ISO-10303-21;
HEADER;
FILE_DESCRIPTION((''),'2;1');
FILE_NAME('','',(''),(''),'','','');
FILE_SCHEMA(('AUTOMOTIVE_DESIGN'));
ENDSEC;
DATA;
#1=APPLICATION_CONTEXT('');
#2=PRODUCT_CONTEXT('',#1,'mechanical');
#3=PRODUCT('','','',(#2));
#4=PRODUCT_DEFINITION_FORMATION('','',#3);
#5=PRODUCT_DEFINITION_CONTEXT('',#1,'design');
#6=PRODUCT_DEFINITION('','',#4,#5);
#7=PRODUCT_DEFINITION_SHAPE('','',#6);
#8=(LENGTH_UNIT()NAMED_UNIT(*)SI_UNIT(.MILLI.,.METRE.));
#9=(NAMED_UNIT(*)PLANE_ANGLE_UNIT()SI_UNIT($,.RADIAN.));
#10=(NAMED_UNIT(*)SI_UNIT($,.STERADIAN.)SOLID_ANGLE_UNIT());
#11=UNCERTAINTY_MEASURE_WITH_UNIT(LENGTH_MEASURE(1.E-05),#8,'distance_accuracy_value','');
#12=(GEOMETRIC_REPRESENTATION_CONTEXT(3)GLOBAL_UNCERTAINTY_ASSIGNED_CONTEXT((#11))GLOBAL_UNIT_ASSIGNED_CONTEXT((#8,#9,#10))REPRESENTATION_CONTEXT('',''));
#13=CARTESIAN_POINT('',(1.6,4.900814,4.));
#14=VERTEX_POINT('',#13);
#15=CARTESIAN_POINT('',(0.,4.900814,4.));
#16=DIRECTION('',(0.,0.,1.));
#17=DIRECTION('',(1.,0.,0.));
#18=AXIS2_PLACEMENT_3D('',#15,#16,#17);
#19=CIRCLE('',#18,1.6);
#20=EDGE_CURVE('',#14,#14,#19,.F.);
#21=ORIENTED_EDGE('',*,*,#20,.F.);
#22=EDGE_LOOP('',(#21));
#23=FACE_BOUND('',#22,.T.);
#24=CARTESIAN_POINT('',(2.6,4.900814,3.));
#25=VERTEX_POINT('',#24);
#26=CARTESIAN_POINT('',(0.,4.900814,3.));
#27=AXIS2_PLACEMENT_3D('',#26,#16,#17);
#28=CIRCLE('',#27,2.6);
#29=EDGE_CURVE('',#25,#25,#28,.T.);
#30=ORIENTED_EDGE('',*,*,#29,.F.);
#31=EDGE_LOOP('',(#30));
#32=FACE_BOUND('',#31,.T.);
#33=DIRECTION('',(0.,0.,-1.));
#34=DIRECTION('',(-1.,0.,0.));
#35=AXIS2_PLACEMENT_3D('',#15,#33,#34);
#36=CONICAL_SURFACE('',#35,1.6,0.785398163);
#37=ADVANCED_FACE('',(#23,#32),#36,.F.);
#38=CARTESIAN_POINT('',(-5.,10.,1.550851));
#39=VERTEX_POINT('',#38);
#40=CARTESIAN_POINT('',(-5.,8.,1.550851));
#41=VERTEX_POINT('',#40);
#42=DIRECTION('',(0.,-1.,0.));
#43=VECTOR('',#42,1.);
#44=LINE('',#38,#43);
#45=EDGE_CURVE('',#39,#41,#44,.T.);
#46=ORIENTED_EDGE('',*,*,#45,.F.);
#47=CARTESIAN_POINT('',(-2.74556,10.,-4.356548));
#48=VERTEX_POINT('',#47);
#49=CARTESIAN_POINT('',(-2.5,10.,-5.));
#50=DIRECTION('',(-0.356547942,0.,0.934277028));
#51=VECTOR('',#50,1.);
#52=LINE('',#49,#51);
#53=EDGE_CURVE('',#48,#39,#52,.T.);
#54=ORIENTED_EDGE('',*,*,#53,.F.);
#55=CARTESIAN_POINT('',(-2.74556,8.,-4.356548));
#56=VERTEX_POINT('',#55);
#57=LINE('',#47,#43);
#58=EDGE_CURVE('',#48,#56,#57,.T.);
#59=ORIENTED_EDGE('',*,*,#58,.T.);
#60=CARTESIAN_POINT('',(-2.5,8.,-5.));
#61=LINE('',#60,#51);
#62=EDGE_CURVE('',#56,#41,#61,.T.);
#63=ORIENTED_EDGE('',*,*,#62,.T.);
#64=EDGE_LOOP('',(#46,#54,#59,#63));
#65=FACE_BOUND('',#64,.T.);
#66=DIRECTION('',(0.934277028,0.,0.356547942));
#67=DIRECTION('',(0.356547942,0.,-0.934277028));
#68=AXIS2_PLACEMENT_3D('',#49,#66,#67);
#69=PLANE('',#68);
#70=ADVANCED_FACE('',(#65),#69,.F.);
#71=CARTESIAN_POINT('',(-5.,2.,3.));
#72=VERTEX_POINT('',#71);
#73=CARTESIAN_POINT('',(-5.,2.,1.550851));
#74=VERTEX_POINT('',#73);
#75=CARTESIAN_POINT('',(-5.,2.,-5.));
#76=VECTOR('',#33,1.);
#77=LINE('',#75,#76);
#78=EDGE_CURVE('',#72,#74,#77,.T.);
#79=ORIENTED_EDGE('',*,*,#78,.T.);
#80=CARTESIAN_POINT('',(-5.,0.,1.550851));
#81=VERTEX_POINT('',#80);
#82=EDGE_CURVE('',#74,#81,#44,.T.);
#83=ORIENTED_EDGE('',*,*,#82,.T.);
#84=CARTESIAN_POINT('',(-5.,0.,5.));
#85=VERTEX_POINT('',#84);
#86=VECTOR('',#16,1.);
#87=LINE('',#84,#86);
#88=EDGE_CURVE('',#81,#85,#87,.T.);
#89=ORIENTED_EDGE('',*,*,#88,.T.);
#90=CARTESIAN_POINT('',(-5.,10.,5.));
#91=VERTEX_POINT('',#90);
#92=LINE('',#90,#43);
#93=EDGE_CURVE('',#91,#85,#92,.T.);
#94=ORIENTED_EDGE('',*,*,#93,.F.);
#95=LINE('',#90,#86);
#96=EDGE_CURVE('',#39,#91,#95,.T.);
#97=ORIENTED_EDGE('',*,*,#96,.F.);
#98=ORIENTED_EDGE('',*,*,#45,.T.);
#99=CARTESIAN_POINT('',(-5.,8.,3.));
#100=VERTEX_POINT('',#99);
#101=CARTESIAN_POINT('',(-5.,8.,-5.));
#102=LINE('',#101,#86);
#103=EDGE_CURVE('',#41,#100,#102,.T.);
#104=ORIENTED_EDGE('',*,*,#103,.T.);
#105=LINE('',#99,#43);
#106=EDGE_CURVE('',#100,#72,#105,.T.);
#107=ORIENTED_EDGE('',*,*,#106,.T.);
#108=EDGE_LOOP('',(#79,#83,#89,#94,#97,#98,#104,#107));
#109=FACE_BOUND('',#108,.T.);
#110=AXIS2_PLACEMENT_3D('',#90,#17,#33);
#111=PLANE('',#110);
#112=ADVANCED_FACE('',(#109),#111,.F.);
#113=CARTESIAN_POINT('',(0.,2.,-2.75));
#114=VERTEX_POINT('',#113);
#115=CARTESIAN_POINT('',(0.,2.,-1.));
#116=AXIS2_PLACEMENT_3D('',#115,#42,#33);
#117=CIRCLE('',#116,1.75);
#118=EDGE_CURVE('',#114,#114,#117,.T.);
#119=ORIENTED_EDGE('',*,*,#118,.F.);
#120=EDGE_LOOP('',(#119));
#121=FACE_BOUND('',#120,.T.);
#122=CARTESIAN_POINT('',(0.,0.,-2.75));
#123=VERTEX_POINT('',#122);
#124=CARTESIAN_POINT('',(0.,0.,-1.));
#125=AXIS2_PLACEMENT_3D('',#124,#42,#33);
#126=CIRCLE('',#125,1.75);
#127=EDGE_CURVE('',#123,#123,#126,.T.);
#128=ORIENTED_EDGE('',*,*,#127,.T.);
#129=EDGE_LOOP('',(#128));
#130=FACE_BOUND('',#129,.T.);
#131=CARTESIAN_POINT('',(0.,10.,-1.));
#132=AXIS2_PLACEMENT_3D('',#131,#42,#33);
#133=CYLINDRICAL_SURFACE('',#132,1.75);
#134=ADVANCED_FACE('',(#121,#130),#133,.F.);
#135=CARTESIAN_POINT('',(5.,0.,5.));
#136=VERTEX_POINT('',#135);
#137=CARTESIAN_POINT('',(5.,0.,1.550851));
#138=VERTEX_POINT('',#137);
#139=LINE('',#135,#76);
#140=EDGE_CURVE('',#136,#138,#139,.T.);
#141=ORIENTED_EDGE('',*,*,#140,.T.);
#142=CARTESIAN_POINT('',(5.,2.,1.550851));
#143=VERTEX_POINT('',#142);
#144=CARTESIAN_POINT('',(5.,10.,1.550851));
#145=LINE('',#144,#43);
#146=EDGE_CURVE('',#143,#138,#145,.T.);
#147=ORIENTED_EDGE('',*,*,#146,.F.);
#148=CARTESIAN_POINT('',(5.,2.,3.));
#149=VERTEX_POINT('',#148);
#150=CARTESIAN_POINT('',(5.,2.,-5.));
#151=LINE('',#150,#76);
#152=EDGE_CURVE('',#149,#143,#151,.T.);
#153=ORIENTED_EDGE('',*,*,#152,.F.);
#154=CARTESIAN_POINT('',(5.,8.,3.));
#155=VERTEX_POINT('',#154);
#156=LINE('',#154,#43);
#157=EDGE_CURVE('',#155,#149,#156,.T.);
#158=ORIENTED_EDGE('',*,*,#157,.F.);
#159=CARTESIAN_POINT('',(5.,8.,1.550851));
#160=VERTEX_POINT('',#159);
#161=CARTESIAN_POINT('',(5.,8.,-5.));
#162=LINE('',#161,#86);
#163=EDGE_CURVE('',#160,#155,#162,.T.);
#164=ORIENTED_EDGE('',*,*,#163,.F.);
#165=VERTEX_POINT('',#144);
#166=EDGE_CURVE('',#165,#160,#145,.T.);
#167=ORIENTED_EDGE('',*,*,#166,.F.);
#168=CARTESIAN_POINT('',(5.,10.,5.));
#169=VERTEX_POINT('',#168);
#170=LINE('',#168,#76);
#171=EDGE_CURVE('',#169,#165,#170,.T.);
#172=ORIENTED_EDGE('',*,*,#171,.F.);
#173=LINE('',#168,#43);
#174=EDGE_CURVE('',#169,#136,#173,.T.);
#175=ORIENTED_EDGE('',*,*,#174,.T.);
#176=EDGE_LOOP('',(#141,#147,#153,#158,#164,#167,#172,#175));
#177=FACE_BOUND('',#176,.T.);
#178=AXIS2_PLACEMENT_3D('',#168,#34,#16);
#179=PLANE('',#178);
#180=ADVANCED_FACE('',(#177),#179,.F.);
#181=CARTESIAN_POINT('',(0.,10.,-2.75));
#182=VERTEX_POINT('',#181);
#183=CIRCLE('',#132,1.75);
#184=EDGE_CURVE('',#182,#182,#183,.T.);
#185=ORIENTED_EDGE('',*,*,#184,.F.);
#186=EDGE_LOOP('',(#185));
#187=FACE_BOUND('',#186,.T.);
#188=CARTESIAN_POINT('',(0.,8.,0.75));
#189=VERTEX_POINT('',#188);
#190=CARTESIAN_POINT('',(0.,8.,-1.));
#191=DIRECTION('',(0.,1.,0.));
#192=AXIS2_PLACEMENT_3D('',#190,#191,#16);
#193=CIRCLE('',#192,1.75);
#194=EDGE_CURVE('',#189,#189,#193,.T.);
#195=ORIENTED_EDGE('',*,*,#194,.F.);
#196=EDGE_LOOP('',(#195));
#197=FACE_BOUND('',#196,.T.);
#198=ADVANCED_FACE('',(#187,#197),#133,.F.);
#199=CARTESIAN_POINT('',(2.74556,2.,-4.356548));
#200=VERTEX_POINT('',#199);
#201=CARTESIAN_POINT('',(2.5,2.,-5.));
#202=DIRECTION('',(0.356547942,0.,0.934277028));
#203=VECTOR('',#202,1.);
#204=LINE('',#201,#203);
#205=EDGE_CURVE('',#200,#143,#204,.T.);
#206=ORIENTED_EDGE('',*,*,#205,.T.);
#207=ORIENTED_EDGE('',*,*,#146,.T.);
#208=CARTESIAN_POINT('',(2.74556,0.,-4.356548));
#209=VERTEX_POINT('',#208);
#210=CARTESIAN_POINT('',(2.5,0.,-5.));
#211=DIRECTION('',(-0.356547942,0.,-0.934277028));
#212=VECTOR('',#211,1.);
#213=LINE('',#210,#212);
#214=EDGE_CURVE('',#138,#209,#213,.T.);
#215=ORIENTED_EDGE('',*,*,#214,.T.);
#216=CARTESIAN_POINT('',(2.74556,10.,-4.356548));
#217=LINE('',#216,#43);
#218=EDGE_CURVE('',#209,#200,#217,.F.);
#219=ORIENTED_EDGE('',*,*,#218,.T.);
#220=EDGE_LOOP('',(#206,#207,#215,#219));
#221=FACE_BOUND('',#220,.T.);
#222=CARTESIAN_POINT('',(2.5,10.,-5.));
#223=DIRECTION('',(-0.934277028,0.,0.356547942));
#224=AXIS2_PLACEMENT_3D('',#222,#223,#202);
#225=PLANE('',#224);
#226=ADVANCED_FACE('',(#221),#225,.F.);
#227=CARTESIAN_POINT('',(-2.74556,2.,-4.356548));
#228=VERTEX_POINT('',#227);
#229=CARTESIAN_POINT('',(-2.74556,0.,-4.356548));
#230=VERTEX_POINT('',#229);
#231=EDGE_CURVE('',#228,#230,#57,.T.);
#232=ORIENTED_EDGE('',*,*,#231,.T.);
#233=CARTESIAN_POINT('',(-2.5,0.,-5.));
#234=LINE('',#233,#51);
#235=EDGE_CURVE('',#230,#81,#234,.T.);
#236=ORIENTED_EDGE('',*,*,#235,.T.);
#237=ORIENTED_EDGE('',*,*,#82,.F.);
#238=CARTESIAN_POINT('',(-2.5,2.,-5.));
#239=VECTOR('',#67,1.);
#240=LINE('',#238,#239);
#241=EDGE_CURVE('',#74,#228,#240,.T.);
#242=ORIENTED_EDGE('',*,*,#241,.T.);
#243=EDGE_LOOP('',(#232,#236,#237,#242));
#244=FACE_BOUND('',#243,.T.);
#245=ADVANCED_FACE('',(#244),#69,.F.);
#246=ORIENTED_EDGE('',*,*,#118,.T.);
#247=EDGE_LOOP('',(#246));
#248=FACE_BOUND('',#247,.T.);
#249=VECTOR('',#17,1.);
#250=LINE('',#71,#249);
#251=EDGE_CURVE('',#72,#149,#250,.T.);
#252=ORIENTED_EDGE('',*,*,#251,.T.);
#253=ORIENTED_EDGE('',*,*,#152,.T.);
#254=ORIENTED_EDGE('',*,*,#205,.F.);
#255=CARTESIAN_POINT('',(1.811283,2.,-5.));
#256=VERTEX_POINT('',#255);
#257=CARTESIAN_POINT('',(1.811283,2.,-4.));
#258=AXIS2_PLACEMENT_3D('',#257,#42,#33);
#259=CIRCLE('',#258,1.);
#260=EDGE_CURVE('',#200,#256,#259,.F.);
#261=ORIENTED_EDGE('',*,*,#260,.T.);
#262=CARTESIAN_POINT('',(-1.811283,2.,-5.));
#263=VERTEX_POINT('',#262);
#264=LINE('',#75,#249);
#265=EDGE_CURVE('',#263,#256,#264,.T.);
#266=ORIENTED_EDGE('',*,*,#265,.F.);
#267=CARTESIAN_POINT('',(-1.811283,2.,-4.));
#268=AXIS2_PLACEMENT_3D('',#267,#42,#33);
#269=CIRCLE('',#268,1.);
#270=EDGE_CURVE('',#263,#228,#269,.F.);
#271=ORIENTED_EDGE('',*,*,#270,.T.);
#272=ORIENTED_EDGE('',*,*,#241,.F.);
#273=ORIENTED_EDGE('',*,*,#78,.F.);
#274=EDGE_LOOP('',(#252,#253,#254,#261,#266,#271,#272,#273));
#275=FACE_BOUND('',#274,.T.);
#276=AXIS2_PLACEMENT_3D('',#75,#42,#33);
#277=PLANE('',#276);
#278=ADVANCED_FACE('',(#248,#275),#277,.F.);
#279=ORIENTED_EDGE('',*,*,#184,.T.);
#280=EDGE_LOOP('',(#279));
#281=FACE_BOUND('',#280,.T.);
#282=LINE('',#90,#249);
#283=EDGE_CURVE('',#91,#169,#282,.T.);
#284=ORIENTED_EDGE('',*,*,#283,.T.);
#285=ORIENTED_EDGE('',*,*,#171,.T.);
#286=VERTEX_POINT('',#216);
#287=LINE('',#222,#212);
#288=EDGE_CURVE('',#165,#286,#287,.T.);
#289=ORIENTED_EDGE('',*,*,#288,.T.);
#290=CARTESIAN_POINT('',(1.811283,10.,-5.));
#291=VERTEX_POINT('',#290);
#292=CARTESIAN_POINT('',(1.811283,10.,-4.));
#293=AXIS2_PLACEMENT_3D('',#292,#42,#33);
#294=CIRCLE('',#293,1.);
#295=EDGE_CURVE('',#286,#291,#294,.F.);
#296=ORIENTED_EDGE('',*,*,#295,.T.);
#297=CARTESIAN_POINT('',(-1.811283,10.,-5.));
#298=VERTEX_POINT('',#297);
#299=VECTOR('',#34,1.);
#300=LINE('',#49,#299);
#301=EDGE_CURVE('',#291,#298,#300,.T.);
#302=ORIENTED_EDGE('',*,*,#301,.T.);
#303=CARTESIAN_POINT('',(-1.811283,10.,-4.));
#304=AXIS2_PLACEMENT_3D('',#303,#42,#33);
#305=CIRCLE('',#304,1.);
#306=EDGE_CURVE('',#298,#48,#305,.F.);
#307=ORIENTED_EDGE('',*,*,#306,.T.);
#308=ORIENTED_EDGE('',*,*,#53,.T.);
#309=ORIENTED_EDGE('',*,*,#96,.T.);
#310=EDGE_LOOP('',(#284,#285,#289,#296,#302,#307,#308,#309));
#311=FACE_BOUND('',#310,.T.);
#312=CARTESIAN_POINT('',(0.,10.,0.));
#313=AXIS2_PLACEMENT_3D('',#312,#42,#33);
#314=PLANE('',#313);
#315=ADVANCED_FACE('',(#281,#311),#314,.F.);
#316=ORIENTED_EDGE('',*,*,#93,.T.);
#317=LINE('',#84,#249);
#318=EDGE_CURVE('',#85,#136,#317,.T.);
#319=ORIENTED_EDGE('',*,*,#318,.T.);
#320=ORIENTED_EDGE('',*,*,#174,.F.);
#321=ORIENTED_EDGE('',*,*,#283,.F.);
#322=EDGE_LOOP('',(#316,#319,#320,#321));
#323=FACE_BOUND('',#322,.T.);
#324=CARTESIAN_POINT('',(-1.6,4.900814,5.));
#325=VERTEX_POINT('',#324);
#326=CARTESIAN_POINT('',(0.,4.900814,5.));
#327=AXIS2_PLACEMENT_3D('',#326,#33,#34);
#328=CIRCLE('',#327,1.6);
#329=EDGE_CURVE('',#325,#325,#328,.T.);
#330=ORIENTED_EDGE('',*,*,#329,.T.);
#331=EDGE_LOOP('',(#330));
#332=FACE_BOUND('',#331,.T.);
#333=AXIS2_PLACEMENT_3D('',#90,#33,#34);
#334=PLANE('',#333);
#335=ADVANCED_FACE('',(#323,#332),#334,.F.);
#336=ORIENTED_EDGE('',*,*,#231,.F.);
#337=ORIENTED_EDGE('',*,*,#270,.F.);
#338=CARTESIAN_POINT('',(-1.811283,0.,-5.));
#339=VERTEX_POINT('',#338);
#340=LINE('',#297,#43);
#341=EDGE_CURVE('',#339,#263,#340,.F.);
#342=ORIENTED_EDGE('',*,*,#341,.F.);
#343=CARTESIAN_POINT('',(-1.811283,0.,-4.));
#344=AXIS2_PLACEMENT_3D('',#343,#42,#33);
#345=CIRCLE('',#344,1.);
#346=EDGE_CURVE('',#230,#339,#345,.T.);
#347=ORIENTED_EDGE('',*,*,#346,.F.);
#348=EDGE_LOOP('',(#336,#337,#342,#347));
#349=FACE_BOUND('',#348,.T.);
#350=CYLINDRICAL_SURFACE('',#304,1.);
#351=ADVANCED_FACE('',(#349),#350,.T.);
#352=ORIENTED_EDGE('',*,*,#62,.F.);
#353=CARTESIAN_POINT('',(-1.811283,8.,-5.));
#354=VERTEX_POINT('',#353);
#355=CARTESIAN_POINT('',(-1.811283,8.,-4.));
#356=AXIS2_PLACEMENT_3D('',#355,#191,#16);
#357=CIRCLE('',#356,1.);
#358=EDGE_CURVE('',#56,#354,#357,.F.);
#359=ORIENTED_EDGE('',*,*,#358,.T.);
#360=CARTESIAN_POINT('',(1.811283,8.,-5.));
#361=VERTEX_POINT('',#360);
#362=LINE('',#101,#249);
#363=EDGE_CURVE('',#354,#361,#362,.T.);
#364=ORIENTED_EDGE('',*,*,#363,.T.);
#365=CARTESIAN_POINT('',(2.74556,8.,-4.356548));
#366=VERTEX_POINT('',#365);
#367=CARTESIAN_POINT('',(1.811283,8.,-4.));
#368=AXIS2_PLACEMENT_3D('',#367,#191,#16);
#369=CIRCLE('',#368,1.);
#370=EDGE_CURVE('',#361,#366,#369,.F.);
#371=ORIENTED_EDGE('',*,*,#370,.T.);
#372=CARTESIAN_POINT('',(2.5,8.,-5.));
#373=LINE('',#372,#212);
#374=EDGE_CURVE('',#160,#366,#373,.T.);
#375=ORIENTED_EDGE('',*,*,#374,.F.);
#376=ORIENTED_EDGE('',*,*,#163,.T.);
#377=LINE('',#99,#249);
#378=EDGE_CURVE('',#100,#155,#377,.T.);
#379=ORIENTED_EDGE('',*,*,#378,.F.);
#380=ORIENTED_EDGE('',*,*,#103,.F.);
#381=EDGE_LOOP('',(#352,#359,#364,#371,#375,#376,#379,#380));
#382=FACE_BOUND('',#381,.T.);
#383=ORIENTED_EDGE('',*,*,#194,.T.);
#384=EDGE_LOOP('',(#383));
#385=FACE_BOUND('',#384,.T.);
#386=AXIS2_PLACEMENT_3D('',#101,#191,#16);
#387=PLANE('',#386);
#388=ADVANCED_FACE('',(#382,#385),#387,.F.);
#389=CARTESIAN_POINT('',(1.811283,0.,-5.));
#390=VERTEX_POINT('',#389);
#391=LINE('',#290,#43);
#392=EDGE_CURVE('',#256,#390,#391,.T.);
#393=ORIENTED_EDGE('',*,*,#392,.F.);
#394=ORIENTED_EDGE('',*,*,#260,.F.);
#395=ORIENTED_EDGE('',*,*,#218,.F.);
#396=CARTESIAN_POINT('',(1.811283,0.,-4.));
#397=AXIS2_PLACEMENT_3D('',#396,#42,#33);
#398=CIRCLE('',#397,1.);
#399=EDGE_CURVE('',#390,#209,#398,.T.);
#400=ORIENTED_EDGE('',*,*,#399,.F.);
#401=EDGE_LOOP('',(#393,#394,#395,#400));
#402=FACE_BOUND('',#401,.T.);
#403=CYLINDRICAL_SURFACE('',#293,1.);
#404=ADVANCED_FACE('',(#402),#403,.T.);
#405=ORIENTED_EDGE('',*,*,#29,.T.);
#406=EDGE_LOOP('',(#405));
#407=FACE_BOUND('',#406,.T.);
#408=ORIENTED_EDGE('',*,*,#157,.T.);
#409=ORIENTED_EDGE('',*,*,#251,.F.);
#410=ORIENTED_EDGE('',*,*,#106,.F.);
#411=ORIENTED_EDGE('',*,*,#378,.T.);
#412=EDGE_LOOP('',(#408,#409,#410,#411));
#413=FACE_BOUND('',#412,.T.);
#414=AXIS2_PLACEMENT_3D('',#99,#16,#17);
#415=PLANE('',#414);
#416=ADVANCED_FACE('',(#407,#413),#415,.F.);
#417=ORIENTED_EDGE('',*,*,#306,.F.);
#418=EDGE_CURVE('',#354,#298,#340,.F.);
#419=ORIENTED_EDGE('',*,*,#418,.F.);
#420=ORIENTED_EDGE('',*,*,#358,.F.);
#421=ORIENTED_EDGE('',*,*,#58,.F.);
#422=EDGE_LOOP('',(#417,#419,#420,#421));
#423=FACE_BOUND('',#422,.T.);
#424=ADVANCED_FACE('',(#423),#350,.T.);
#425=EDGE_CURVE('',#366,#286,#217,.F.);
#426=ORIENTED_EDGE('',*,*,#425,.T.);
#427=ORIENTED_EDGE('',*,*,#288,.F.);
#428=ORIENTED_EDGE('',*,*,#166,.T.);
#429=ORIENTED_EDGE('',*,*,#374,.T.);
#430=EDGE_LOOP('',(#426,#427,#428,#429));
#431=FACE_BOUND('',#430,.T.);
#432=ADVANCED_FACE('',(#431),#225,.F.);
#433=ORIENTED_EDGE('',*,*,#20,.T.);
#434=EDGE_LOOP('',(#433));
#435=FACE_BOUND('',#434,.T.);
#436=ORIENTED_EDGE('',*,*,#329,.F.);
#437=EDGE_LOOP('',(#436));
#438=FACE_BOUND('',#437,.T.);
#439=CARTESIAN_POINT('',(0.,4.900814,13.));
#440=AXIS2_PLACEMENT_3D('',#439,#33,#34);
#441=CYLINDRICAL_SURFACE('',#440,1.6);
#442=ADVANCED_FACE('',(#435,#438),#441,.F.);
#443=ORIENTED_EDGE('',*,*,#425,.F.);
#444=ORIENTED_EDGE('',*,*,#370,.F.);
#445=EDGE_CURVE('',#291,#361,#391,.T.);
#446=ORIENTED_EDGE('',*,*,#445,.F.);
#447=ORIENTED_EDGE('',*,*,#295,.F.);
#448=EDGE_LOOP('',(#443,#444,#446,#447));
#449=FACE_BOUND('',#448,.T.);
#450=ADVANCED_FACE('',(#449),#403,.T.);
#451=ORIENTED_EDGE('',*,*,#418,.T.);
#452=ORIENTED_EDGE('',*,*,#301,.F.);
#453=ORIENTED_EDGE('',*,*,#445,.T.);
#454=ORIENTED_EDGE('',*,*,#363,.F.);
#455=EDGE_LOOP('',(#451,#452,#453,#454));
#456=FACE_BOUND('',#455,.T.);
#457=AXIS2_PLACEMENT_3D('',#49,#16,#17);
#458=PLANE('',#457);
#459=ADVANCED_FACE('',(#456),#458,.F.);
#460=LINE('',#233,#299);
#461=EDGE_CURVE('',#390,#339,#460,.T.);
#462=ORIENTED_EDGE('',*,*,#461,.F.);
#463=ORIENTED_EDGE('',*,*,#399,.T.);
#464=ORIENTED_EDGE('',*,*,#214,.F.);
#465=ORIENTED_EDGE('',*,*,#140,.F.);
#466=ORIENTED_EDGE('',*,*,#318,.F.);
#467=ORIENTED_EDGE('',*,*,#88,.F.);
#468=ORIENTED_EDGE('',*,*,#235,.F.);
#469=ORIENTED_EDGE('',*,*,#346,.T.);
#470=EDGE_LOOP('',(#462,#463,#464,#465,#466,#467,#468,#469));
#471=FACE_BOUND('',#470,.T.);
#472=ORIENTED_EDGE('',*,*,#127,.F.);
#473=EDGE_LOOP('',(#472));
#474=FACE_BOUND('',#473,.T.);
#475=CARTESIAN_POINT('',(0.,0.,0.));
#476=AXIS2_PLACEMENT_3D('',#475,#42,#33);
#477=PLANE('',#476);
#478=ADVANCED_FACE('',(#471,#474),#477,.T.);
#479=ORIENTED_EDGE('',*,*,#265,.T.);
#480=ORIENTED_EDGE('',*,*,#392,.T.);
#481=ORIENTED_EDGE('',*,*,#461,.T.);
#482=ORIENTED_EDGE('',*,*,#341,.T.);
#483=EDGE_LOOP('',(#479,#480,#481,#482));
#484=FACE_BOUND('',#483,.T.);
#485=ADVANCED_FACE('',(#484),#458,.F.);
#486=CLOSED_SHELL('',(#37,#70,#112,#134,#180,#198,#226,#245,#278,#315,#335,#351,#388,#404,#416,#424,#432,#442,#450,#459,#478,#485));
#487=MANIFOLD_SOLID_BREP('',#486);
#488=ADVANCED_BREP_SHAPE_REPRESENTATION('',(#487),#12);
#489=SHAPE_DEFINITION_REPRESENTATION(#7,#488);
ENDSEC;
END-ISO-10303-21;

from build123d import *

# Parameters (mm, degrees)
EXTRUDE_1_DEPTH     = 10
SKETCH_2_W          = 8
SKETCH_2_H          = 6
CUT_EXTRUDE_1_DEPTH = 10
SKETCH_3_R          = 1.75
CUT_EXTRUDE_2_DEPTH = 10
FILLET_1_R          = 1
SKETCH_4_R          = 1.6
CUT_EXTRUDE_3_DEPTH = 10
CHAMFER_1_SIZE      = 1


with BuildPart() as part:
    # 草图1 → 凸台-拉伸1 (new body)
    with BuildSketch(Plane(origin=(0, 0, 0), x_dir=(1, 0, 0), z_dir=(0, 1, 0))):
        Polygon((-2.5, 5), (-5, -1.550851348), (-5, -5), (5, -5), (5, -1.550851348), (2.5, 5), align=None)
    extrude(amount=EXTRUDE_1_DEPTH)

    # 草图2 → 切除-拉伸1 (cut)
    with BuildSketch(Plane(origin=(5, 0, 0), x_dir=(0, 0, -1), z_dir=(1, 0, 0))):
        with Locations((1, 5)):
            Rectangle(SKETCH_2_W, SKETCH_2_H)
    extrude(amount=-CUT_EXTRUDE_1_DEPTH, mode=Mode.SUBTRACT)

    # 草图3 → 切除-拉伸2 (cut)
    with BuildSketch(Plane.XZ):
        with Locations(Location((0, -1, 0), (0, 0, 270))):
            Circle(SKETCH_3_R)
    extrude(amount=-CUT_EXTRUDE_2_DEPTH, mode=Mode.SUBTRACT)

    # 圆角1
    fillet_1_edges = [part.edges().sort_by_distance(p)[0] for p in [
        (-2.5, 9, -5),
        (2.5, 9, -5),
        (-2.5, 1, -5),
        (2.5, 1, -5),
    ]]
    fillet(fillet_1_edges, radius=FILLET_1_R)

    # 草图4 → 切除-拉伸3 (cut)
    with BuildSketch(Plane(origin=(0, 0, 3), x_dir=(-1, 0, 0), z_dir=(0, 0, -1))):
        with Locations((0, 4.900814168)):
            Circle(SKETCH_4_R)
    extrude(amount=-CUT_EXTRUDE_3_DEPTH, mode=Mode.SUBTRACT)

    # 倒角1
    chamfer_1_edges = [part.edges().sort_by_distance(p)[0] for p in [
        (1.6, 4.900814168, 3),
    ]]
    chamfer(chamfer_1_edges, length=CHAMFER_1_SIZE)


solid = part.part
